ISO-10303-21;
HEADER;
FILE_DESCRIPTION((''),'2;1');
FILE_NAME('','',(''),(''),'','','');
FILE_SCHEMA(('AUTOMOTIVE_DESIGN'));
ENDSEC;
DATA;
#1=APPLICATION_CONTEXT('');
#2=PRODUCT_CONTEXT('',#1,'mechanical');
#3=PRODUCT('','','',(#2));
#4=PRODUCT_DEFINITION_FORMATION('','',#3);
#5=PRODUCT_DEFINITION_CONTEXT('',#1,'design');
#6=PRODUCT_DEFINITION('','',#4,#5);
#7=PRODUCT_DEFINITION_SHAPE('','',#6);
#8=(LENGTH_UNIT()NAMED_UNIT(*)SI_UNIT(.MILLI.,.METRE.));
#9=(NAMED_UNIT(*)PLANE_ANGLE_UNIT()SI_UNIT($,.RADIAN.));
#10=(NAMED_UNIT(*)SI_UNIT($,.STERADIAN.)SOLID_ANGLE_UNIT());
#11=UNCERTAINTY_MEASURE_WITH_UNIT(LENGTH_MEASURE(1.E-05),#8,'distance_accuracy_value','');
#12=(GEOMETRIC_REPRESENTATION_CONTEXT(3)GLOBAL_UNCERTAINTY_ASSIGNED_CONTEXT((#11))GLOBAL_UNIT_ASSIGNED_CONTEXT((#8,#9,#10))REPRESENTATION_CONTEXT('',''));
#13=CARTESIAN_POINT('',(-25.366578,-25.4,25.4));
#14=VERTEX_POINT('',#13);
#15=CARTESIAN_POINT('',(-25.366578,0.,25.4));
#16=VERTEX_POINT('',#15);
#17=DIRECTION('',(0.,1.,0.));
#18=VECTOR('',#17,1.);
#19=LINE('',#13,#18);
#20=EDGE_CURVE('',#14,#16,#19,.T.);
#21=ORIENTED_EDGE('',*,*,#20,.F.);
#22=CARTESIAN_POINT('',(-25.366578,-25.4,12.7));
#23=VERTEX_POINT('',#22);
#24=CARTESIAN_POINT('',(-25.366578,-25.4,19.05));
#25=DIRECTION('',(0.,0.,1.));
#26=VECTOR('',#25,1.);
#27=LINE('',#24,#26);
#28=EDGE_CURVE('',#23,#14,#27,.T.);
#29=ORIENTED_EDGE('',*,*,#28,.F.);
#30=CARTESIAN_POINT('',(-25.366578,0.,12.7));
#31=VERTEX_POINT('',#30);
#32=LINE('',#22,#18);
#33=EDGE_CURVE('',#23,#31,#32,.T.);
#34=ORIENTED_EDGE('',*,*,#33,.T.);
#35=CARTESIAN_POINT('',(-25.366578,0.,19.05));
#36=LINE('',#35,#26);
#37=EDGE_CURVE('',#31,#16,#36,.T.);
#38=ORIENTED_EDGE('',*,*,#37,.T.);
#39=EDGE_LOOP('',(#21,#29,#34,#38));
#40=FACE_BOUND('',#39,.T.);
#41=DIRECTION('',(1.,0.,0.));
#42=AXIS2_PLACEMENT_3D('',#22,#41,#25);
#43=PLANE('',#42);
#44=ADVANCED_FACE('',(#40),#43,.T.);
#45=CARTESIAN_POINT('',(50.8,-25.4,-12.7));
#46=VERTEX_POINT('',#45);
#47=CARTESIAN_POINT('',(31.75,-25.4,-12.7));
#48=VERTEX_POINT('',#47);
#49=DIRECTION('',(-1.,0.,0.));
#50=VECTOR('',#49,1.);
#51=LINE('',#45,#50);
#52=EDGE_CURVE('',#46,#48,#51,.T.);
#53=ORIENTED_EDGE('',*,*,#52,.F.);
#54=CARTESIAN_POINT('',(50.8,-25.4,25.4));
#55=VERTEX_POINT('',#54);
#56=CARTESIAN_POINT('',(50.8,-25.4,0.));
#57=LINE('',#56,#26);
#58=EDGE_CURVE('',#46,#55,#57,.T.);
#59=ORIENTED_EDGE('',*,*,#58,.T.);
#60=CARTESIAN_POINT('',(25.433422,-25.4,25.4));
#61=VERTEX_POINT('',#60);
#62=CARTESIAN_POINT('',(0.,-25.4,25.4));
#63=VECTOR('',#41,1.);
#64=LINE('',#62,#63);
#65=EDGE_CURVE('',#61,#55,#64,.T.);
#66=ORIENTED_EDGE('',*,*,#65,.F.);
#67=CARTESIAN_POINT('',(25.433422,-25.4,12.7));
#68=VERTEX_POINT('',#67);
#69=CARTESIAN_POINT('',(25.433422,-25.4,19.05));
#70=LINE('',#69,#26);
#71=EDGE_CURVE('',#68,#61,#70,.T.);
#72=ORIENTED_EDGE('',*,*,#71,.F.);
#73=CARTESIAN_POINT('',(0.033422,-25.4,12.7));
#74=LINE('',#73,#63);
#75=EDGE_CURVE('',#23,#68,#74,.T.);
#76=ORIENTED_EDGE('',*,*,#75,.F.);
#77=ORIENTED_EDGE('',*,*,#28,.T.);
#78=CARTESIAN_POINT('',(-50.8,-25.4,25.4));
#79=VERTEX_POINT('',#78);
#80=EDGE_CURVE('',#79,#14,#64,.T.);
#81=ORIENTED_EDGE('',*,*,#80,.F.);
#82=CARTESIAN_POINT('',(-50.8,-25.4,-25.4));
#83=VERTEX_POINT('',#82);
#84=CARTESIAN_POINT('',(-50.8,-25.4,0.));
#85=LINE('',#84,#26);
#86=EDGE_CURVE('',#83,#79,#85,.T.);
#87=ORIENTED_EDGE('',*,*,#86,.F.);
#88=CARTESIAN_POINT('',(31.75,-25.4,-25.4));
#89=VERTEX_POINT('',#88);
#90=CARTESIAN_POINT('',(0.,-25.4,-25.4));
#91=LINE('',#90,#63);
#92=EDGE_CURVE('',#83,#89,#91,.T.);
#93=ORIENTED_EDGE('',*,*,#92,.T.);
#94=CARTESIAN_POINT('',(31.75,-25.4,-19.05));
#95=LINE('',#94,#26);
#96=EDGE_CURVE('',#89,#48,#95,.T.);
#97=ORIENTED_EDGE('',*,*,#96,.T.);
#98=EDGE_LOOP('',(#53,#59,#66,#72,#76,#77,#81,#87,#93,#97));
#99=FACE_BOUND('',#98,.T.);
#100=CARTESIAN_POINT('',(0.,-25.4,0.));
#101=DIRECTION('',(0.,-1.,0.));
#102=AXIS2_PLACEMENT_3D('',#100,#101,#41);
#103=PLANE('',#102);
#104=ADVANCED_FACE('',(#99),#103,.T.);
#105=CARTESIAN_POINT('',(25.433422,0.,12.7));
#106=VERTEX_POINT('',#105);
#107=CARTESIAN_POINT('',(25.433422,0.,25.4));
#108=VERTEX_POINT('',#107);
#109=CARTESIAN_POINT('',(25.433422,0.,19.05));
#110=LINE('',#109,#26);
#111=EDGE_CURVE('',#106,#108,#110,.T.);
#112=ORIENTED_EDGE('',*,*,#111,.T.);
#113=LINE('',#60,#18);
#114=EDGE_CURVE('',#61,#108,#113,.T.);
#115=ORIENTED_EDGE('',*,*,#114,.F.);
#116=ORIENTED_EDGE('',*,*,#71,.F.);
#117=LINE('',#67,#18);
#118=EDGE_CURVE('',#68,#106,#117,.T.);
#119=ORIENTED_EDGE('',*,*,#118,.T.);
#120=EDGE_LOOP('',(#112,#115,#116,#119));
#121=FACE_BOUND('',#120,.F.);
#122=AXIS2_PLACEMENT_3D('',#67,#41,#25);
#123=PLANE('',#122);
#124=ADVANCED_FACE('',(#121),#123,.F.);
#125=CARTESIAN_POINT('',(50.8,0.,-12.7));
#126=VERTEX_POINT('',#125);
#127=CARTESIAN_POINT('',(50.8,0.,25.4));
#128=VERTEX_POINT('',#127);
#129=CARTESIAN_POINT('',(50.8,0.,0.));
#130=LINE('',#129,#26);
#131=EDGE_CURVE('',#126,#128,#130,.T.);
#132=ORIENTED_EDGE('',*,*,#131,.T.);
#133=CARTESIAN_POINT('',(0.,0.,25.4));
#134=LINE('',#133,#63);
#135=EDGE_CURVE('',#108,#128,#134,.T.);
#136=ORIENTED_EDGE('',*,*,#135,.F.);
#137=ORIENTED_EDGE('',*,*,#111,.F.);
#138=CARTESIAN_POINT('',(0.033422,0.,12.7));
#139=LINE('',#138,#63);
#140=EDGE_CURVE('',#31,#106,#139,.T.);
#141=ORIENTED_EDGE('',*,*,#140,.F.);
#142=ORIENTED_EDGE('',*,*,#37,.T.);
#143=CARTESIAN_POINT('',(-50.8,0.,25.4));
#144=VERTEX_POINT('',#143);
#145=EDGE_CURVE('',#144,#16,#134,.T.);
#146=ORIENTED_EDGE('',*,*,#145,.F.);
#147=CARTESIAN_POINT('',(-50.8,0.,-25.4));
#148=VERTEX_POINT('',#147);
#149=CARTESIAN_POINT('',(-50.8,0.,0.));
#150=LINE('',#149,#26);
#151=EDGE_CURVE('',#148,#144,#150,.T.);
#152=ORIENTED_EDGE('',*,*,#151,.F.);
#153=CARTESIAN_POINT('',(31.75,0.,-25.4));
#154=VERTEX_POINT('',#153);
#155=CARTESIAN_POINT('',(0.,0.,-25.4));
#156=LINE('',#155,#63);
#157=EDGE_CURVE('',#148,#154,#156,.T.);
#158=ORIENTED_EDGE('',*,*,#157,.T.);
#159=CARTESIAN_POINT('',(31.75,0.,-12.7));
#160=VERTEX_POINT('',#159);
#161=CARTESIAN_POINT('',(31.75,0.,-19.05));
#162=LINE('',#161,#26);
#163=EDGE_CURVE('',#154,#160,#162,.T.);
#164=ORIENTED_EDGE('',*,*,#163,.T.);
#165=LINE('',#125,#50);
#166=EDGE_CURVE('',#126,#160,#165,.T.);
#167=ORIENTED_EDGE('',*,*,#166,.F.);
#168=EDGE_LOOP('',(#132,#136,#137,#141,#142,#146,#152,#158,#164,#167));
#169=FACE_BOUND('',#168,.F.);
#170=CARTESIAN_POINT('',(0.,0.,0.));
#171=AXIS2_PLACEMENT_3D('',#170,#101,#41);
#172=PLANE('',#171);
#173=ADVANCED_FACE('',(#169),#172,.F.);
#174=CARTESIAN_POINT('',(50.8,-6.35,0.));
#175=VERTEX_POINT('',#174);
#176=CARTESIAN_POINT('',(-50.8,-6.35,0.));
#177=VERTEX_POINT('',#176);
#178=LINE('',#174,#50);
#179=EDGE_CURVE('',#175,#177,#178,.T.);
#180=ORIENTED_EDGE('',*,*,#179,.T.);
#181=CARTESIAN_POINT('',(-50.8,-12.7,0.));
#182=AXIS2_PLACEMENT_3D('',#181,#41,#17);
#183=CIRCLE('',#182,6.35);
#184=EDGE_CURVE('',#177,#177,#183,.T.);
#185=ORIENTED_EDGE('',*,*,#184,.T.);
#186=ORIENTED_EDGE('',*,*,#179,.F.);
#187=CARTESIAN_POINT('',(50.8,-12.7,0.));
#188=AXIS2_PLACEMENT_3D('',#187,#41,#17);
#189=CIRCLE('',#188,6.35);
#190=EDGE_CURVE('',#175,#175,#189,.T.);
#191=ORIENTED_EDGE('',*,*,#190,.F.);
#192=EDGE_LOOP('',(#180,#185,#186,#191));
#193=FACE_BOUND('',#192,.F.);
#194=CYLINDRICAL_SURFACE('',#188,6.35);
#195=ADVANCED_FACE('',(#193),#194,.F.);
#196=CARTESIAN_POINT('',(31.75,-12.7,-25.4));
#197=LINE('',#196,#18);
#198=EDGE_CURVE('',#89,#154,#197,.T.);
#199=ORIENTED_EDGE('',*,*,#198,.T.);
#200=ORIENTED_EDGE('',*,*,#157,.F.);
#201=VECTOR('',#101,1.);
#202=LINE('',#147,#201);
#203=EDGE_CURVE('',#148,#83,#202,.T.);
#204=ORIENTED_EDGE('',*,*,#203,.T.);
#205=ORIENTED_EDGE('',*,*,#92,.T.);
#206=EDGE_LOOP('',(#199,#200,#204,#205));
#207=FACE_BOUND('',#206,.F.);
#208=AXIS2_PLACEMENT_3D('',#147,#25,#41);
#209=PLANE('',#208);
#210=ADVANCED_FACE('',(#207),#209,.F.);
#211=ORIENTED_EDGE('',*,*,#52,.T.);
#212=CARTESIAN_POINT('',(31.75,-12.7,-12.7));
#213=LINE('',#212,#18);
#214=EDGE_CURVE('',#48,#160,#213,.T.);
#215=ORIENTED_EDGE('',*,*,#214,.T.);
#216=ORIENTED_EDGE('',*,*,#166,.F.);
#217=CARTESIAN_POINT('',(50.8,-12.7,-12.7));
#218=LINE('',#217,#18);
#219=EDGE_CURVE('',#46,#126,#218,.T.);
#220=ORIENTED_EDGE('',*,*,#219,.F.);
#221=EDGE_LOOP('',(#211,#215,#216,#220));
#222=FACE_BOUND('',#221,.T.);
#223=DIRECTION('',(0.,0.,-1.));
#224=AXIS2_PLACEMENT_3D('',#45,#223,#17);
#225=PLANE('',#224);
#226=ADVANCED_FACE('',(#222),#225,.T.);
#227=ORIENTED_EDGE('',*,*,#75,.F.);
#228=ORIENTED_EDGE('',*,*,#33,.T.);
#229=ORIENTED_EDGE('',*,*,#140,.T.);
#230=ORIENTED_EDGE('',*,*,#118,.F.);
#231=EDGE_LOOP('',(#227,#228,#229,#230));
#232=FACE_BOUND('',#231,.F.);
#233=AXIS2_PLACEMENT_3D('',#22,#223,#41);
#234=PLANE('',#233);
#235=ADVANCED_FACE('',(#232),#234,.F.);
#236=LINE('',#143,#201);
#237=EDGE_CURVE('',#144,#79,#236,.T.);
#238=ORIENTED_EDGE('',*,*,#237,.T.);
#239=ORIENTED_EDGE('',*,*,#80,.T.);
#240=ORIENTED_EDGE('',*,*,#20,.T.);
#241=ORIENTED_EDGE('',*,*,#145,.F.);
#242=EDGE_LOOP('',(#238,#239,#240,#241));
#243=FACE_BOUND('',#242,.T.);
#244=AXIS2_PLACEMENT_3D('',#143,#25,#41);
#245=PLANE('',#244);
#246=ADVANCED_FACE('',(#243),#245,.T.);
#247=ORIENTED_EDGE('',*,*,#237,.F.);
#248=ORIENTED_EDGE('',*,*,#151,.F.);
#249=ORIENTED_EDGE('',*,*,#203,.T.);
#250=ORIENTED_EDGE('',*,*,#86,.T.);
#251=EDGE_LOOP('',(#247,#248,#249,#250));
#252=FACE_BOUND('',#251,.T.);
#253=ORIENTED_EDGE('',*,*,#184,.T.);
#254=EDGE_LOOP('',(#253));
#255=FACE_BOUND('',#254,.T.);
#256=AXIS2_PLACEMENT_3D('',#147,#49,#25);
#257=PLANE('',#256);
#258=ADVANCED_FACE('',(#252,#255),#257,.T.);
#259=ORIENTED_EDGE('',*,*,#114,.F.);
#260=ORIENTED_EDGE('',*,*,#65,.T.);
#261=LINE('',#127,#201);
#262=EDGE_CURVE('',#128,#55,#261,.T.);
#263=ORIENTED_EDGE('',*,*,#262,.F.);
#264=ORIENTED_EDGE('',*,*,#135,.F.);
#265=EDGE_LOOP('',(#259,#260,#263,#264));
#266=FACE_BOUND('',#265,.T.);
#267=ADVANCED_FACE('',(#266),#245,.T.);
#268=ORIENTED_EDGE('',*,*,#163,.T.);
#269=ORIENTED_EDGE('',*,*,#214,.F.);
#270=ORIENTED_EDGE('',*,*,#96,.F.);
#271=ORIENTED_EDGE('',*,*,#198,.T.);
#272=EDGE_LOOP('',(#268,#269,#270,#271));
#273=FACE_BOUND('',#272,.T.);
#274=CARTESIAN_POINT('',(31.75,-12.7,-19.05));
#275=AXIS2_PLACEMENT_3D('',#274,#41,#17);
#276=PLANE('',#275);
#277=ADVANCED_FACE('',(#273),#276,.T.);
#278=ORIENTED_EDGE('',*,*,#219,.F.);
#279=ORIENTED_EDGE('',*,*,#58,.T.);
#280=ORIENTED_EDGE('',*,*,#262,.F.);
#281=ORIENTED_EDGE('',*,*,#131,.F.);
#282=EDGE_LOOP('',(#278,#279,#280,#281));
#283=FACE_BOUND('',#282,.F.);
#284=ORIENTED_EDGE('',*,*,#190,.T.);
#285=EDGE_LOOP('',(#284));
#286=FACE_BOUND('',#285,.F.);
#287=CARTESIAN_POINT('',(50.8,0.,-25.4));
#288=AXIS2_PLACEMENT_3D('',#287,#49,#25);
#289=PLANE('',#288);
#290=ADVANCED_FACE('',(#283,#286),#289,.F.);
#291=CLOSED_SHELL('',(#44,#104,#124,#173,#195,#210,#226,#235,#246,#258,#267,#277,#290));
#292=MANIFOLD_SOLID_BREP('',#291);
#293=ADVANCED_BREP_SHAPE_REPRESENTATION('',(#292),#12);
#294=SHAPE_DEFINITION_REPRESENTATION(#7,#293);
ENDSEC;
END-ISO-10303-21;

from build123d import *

# Parameters (mm, degrees)
F0_W     = 101.6
F0_H     = 50.8
F1_DEPTH = 25.4
F2_W     = 50.8
F2_H     = 12.7
F4_DEPTH = 25.4
F3_W     = 25.4
F3_H     = 12.7
F5_DEPTH = 19.05
F6_R     = 6.35
F7_DEPTH = 101.6


with BuildPart() as f1:
    # F0 (on Front) → F1 (new body)
    with BuildSketch(Plane.XZ):
        Rectangle(F0_W, F0_H)
    extrude(amount=F1_DEPTH)

    # F2 (on face) → F4 (cut)
    with BuildSketch(Plane.XZ.offset(25.4)):
        with Locations((0.033422, 19.05)):
            Rectangle(F2_W, F2_H)
    extrude(amount=-F4_DEPTH, mode=Mode.SUBTRACT)

    # F3 (on face) → F5 (cut)
    with BuildSketch(Plane.YZ.offset(50.8)):
        with Locations((-12.7, -19.05)):
            Rectangle(F3_W, F3_H)
    extrude(amount=-F5_DEPTH, mode=Mode.SUBTRACT)

    # F6 (on face) → F7 (cut)
    with BuildSketch(Plane.YZ.offset(50.8)):
        with Locations((-12.7, 0)):
            Circle(F6_R)
    extrude(amount=-F7_DEPTH, mode=Mode.SUBTRACT)


solid = f1.part
